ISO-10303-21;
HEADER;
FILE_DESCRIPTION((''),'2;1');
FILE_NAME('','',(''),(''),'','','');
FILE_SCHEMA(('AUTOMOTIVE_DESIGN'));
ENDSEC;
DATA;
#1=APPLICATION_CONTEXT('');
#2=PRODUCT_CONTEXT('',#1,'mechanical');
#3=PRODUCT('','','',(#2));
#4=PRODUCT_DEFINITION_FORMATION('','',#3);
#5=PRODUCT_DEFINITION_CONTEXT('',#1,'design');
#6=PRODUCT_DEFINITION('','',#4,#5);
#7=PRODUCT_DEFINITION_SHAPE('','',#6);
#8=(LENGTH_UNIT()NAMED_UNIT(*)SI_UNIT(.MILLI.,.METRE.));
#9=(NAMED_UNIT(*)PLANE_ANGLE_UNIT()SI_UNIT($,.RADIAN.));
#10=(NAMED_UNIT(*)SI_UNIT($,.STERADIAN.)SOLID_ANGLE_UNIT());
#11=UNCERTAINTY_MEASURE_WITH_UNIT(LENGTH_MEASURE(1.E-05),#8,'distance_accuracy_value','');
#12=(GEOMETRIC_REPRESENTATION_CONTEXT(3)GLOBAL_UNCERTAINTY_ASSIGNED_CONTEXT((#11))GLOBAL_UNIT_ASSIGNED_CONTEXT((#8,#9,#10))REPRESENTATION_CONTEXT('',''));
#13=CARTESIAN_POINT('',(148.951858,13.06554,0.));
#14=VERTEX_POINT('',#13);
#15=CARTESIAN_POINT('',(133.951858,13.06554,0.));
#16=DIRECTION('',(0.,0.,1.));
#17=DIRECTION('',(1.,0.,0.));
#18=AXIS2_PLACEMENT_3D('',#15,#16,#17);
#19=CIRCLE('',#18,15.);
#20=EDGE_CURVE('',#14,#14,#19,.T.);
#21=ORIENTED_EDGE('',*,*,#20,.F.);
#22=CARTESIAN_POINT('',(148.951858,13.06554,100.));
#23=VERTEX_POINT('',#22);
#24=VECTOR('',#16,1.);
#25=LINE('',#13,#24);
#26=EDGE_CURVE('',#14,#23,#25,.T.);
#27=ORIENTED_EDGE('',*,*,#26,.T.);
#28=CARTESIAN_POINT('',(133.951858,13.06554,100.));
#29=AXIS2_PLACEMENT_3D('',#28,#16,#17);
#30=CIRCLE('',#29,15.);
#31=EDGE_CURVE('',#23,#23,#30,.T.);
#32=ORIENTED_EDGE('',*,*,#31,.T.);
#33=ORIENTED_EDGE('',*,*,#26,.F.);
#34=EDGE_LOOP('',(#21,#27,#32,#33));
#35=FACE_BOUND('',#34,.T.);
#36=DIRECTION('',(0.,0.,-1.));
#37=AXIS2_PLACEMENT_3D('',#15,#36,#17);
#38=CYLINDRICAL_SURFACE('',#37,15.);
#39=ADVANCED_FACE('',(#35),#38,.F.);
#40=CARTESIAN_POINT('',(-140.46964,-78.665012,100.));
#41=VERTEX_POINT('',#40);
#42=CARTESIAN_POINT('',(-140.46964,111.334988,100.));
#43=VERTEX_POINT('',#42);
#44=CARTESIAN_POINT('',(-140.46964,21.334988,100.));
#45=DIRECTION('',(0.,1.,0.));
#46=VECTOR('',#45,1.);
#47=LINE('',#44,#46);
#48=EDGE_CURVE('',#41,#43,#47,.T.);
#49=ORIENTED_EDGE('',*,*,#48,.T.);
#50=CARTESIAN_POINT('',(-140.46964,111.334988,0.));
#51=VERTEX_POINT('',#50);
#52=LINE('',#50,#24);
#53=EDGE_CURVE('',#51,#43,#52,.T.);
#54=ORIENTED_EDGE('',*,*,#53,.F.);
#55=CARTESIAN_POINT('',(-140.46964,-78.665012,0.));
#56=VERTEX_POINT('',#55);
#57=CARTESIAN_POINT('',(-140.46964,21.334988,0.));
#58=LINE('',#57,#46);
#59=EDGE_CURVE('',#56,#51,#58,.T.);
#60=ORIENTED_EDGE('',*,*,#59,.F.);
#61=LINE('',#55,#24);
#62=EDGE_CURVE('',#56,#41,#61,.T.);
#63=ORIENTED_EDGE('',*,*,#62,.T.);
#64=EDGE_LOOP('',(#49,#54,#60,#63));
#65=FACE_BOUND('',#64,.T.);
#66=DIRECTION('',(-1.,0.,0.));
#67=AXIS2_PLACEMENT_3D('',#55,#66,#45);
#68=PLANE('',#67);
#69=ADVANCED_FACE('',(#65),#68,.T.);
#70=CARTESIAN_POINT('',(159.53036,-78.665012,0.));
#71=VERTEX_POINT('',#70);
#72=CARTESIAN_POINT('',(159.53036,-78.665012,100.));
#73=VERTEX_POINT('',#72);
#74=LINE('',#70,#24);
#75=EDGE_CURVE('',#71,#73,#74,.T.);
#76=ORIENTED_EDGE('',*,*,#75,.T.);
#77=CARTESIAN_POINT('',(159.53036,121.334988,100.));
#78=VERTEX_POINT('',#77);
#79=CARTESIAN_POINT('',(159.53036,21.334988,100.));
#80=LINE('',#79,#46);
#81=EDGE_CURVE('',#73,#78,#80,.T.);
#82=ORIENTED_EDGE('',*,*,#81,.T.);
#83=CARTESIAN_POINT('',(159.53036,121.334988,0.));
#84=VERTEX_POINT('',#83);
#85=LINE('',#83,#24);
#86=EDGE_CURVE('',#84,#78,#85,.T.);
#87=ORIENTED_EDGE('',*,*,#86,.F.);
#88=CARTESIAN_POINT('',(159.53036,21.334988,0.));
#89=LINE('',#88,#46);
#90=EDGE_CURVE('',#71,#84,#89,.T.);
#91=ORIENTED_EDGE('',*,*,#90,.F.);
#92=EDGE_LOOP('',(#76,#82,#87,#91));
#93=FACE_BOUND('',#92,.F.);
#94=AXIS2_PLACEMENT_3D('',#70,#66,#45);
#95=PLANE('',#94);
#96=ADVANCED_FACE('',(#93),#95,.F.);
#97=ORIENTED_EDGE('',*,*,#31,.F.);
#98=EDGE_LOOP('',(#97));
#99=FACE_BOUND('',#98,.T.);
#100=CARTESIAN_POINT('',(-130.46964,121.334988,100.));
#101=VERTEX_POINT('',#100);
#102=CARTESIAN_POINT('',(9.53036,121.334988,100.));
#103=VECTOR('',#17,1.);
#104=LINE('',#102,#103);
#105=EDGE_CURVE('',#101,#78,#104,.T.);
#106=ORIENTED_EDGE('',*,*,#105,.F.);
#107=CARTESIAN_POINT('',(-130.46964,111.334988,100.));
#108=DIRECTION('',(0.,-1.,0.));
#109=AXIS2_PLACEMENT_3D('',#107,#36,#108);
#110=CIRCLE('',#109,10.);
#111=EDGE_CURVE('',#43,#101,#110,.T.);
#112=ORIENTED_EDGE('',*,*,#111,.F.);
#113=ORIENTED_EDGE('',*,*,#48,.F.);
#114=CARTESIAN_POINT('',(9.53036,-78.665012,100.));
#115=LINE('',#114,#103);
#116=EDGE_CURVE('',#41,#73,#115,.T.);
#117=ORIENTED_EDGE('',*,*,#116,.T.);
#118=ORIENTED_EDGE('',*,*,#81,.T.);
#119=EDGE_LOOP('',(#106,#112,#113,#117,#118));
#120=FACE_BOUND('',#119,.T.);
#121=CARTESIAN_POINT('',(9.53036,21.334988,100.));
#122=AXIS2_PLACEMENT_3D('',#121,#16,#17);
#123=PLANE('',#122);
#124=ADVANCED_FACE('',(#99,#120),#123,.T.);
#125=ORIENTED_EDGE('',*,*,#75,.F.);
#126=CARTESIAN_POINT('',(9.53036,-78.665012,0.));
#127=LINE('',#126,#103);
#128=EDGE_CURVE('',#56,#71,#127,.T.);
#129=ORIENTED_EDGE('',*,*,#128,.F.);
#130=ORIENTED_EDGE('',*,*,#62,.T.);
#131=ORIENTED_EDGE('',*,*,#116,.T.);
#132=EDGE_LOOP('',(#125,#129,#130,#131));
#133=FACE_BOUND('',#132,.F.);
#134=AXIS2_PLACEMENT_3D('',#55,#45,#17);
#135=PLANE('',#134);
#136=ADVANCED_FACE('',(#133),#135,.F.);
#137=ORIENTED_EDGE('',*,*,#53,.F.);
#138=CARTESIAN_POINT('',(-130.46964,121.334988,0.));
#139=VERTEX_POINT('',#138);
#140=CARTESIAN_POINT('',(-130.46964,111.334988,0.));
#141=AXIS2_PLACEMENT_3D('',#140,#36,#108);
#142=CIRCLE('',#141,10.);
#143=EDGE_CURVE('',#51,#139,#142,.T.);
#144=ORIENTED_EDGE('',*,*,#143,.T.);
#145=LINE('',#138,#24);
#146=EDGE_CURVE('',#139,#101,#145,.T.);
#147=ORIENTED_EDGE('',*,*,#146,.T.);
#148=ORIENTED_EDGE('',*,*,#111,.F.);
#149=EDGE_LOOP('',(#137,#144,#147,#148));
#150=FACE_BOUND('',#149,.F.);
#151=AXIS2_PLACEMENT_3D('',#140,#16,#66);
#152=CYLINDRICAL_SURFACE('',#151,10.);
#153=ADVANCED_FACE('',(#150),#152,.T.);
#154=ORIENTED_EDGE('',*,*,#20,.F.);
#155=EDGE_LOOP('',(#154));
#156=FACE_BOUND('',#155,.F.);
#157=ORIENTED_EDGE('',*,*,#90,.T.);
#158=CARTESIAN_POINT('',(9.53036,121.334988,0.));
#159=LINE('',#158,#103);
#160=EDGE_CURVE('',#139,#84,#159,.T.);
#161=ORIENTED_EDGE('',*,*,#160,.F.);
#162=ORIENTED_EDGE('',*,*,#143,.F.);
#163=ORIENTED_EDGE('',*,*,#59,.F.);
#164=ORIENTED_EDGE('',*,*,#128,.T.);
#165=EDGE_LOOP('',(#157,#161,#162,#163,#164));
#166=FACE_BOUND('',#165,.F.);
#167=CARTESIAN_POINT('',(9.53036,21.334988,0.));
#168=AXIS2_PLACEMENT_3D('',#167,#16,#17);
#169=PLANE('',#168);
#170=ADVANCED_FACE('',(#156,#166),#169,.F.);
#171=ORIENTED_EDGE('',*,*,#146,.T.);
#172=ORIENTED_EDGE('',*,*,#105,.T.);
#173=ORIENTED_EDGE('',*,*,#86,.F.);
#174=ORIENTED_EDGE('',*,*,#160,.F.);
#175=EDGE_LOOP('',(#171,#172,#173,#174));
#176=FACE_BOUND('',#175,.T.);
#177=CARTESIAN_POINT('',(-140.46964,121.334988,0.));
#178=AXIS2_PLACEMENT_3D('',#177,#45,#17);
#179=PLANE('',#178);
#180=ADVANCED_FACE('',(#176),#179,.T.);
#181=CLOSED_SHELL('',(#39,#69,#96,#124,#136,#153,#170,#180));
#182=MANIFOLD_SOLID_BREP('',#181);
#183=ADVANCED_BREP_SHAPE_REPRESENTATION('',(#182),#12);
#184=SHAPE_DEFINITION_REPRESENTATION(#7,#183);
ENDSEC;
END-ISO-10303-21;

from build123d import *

# Parameters (mm, degrees)
F0_W     = 300
F0_H     = 200
F0_R     = 15
F1_DEPTH = 100
F2_R     = 10


with BuildPart() as f1:
    # F0 (on Top) → F1 (new body)
    with BuildSketch(Plane.XY):
        with Locations((9.53036, 21.334988)):
            Rectangle(F0_W, F0_H)
        with Locations((133.951858, 13.06554)):
            Circle(F0_R, mode=Mode.SUBTRACT)
    extrude(amount=F1_DEPTH)

    # F2
    f2_edges = [f1.edges().sort_by_distance(p)[0] for p in [
        (-140.46964, 121.334988, 50),
    ]]
    fillet(f2_edges, radius=F2_R)


solid = f1.part
